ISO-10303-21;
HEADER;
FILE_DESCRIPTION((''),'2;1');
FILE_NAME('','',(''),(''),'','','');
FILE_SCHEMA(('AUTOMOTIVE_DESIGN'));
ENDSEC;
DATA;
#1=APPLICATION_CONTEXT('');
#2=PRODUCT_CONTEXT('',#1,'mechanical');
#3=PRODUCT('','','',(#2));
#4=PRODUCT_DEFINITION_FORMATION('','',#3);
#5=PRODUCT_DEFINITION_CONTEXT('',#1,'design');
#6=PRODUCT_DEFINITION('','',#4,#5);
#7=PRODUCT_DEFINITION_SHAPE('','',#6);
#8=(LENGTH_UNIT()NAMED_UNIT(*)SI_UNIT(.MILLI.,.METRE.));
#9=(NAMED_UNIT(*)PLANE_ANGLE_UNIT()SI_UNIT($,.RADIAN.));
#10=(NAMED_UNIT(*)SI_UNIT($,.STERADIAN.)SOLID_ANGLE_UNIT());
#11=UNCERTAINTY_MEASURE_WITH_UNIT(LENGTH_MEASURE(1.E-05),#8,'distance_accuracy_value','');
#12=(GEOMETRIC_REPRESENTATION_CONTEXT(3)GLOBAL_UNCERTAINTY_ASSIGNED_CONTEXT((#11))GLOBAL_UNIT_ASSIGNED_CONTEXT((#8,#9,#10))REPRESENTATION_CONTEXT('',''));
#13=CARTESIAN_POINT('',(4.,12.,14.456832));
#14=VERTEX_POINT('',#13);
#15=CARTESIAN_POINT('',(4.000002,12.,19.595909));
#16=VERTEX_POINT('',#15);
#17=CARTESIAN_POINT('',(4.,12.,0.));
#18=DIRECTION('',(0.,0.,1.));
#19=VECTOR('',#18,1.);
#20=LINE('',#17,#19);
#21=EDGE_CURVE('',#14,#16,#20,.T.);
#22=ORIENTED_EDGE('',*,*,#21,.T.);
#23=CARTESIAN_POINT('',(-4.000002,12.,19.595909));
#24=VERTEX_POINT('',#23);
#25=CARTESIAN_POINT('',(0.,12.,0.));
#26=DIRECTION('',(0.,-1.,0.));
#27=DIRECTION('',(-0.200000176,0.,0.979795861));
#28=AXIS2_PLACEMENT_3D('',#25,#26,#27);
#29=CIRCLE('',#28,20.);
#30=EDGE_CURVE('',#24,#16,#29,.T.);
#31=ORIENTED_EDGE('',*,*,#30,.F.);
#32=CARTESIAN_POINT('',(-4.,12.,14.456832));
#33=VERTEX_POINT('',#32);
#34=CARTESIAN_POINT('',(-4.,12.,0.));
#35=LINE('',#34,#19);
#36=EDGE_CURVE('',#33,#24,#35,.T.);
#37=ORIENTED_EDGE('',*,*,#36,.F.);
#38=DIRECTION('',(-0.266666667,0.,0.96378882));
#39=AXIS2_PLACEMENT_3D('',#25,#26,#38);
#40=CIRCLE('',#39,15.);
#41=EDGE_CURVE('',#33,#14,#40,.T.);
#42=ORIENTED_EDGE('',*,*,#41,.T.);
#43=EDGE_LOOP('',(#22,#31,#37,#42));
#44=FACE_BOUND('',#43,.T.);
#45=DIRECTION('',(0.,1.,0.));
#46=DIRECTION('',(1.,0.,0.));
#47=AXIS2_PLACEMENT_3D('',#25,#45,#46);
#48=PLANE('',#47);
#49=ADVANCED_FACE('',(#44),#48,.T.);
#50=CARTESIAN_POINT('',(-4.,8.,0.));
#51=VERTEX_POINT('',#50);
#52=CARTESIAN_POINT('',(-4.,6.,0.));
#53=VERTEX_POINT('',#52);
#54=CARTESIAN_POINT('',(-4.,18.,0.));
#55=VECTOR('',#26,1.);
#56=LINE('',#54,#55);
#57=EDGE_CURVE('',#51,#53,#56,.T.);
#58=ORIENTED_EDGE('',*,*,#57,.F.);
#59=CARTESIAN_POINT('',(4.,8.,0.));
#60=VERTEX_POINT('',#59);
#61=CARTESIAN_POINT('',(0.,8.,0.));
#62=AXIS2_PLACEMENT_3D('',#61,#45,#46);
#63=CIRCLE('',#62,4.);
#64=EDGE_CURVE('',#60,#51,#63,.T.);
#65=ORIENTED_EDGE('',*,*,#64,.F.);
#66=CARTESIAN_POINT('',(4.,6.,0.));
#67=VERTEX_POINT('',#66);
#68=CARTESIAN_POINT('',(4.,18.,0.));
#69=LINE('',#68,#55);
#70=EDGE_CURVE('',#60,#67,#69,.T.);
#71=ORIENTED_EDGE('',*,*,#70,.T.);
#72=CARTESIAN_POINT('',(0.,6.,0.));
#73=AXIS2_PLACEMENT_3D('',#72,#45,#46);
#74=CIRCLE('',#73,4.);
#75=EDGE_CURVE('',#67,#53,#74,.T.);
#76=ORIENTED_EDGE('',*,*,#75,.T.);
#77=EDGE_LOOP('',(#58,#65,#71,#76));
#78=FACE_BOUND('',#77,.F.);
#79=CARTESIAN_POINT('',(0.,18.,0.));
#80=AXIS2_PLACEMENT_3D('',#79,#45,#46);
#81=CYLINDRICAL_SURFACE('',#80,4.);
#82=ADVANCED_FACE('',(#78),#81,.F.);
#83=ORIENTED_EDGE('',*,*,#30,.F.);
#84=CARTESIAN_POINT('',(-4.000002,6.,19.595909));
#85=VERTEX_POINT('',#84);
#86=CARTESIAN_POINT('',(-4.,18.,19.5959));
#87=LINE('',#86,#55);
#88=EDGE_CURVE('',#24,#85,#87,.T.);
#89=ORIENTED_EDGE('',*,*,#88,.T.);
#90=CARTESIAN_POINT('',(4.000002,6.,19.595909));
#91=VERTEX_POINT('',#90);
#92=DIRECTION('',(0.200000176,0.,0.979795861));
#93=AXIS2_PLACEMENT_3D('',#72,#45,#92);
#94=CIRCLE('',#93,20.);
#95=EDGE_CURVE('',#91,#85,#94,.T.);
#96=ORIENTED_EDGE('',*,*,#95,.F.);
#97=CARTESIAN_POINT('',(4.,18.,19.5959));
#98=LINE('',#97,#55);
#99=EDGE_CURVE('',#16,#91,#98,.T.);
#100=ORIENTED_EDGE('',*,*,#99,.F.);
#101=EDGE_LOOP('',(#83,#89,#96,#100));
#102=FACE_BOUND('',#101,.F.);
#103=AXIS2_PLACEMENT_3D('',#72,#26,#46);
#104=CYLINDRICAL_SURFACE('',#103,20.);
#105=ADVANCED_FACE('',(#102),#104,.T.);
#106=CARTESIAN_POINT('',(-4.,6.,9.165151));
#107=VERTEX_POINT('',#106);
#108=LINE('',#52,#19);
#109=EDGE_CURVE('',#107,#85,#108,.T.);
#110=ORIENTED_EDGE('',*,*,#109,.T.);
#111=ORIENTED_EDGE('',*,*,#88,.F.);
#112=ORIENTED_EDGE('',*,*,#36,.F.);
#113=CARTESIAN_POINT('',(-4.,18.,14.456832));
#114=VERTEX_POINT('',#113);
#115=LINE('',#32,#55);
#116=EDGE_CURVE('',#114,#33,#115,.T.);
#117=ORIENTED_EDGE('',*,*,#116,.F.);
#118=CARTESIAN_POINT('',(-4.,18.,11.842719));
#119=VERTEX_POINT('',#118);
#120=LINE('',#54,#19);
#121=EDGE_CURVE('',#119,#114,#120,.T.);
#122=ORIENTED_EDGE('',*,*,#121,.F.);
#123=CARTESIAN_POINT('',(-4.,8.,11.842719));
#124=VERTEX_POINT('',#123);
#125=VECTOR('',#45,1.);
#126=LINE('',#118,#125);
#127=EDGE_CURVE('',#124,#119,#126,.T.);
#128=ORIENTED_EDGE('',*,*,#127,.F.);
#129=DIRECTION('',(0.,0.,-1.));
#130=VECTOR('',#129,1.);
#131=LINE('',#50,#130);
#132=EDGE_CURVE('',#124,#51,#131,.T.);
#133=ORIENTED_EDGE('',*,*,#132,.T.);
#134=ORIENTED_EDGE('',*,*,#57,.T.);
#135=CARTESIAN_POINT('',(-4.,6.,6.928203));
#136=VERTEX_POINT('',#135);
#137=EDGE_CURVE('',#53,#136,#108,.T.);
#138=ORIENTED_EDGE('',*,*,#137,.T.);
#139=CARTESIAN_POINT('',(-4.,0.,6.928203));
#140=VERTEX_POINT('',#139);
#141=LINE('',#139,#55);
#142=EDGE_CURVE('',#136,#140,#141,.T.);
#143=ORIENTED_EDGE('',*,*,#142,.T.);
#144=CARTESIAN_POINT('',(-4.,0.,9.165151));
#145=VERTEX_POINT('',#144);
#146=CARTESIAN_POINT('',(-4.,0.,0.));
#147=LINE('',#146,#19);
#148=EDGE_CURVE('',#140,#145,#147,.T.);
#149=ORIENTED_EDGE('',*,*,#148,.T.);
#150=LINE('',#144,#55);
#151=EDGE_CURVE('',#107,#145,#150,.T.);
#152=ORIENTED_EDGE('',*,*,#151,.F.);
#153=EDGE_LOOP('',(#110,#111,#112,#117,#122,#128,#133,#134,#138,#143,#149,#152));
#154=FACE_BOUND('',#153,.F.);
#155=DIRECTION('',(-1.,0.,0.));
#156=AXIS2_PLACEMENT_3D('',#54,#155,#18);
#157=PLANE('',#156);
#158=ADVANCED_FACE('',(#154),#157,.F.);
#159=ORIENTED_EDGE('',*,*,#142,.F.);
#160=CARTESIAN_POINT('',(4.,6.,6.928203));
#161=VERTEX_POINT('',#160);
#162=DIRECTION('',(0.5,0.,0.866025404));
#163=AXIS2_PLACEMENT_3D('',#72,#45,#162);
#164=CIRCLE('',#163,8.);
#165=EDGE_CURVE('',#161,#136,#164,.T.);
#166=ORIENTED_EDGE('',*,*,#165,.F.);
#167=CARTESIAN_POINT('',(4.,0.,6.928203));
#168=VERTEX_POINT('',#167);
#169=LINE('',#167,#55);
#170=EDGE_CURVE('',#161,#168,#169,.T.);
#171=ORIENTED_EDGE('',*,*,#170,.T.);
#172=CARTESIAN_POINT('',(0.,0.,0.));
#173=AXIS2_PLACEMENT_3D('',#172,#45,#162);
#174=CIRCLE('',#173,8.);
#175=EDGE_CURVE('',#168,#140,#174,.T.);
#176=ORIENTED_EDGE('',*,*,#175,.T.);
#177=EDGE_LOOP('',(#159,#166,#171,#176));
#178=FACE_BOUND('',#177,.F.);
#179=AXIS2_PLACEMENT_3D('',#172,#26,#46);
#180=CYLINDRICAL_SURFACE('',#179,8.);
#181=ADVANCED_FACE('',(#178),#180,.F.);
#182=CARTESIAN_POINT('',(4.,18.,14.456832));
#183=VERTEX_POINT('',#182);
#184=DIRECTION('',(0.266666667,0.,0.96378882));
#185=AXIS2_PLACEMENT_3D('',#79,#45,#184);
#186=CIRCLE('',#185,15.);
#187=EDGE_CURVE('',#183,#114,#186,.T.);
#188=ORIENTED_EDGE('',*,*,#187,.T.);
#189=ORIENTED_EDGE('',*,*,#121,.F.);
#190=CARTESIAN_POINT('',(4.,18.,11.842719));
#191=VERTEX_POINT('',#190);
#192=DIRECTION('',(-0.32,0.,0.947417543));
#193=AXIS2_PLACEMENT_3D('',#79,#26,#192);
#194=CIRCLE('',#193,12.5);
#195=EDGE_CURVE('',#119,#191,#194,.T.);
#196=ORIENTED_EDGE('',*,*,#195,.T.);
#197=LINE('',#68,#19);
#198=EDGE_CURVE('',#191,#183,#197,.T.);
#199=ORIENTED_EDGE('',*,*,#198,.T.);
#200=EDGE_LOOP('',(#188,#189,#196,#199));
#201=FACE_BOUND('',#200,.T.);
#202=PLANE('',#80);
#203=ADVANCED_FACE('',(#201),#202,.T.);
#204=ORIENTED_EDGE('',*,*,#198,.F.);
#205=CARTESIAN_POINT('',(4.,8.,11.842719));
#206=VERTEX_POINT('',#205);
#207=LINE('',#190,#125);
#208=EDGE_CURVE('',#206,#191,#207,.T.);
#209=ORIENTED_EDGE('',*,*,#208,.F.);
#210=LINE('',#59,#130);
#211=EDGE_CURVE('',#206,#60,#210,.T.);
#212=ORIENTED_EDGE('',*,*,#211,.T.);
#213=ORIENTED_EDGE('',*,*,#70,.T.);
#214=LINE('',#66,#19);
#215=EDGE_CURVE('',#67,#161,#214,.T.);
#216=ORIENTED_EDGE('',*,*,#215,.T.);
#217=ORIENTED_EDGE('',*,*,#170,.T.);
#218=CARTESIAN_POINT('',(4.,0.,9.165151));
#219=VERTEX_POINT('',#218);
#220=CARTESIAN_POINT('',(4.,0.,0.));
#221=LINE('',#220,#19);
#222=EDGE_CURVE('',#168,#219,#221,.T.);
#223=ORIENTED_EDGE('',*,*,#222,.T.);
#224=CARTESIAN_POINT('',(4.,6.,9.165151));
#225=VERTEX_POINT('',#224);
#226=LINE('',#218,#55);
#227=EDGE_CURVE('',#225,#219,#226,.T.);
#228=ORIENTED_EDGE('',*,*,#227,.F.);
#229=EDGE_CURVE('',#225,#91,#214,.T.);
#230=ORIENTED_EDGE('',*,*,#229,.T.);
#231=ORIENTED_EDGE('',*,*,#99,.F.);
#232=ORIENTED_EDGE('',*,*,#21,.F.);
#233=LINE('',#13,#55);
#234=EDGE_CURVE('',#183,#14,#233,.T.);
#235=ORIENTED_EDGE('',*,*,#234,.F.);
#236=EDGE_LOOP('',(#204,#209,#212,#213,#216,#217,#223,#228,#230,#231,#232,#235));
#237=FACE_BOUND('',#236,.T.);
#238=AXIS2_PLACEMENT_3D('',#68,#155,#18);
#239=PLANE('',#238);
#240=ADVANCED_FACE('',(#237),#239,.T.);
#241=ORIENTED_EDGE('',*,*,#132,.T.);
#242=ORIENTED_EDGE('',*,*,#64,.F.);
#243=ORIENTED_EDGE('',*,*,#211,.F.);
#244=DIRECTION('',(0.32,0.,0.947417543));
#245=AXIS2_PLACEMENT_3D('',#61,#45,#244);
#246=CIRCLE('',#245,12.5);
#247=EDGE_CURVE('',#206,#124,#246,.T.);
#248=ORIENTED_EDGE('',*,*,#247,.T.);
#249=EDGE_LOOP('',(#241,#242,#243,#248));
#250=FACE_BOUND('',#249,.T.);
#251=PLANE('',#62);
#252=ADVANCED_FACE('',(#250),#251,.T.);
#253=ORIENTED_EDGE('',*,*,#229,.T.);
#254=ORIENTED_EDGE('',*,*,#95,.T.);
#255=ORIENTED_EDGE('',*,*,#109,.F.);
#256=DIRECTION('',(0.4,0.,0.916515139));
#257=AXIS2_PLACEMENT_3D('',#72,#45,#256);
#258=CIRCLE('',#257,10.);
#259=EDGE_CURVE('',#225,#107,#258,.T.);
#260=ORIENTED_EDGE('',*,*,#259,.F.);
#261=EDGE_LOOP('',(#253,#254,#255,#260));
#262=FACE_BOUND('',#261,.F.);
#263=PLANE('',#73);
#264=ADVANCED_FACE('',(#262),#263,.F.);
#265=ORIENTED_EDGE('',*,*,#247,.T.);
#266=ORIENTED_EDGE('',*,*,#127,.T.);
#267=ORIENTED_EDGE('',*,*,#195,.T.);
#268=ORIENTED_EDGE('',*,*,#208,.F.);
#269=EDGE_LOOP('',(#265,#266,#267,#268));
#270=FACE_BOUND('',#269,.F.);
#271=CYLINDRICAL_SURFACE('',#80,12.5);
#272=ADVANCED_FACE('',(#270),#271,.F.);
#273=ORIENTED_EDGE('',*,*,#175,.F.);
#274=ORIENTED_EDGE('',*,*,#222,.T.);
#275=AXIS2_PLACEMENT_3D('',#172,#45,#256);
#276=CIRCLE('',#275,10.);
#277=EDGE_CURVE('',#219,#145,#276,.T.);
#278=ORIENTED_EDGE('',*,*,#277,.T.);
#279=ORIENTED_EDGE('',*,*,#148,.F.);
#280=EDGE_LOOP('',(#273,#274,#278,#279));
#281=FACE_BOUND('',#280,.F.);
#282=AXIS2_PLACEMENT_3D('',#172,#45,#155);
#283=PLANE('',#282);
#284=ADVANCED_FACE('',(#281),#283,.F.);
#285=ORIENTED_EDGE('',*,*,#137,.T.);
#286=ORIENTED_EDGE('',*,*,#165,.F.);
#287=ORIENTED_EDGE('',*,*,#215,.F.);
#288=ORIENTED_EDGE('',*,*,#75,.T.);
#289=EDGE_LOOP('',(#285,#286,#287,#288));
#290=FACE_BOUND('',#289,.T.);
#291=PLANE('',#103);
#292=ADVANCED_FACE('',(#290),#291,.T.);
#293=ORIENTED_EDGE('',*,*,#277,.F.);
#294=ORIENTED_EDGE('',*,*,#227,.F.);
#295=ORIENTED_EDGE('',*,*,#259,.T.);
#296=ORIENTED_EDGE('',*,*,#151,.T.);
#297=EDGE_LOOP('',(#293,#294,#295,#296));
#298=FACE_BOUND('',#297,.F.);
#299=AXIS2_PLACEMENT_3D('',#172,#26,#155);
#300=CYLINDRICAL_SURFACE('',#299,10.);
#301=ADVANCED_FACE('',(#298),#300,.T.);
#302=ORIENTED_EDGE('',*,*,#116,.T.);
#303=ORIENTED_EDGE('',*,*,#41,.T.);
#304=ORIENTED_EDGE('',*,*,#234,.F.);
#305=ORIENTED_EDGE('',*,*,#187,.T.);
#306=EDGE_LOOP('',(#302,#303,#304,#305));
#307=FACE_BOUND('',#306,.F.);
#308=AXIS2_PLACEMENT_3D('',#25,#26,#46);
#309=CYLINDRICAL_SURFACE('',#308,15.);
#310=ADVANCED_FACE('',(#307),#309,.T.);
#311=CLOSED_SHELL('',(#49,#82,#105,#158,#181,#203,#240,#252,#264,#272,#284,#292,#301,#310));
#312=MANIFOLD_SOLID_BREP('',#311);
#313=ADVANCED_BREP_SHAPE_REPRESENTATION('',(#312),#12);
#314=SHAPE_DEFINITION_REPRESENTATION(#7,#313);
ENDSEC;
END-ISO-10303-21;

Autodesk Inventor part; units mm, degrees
ref_plane "YZ Plane" through (0, 0, 0) normal (1, 0, 0) x (0, 1, 0)
ref_plane "XZ Plane" through (0, 0, 0) normal (0, 1, 0) x (-1, 0, 0)
ref_plane "XY Plane" through (0, 0, 0) normal (0, 0, 1) x (1, 0, 0)
sketch "Boceto1" plane through (0, 0, 0) normal (0, 1, 0) x (-1, 0, 0)
  circle A0 centre (0, 0) radius 10
  dimension "d3" = 20
extrude "Extrusión1" add sketch "Boceto1" along normal blind 6
sketch "Boceto2" plane through (0, 6, 0) normal (0, 1, 0) x (1, 0, 0)
  circle A0 centre (0, 0) radius 20
  dimension "d6" = 40
extrude "Extrusión2" add sketch "Boceto2" along normal blind 6
sketch "Boceto3" plane through (0, 12, 0) normal (0, 1, 0) x (1, 0, 0)
  circle A0 centre (0, 0) radius 15
  dimension "d9" = 30
extrude "Extrusión3" add sketch "Boceto3" along normal blind 6
sketch "Boceto4" plane through (0, 18, 0) normal (0, 1, 0) x (1, 0, 0)
  circle A0 centre (0, 0) radius 4
  circle A1 centre (0, 0) radius 20 projected
  line L0 (-4, 0) -> (-4, -19.5959)
  line L1 (4, 0) -> (4, -19.5959)
  dimension "d12" = 8
extrude "Extrusión4" cut sketch "Boceto4" against normal through all contours A0 | L1 A1 L0 A0 picked at (0.1607, -14.6269)
sketch "Boceto5" plane through (0, 18, 0) normal (0, 1, 0) x (1, 0, 0)
  circle A0 centre (0, 0) radius 12.5
  dimension "d15" = 25
extrude "Extrusión5" cut sketch "Boceto5" against normal blind 10
sketch "Boceto6" plane through (0, 0, 0) normal (0, -1, 0) x (1, 0, 0)
  circle A0 centre (0, 0) radius 8
  dimension "d18" = 16
extrude "Extrusión6" cut sketch "Boceto6" against normal up to surface (6 mm away)
properties part number "shocks_end" material "Goma"
